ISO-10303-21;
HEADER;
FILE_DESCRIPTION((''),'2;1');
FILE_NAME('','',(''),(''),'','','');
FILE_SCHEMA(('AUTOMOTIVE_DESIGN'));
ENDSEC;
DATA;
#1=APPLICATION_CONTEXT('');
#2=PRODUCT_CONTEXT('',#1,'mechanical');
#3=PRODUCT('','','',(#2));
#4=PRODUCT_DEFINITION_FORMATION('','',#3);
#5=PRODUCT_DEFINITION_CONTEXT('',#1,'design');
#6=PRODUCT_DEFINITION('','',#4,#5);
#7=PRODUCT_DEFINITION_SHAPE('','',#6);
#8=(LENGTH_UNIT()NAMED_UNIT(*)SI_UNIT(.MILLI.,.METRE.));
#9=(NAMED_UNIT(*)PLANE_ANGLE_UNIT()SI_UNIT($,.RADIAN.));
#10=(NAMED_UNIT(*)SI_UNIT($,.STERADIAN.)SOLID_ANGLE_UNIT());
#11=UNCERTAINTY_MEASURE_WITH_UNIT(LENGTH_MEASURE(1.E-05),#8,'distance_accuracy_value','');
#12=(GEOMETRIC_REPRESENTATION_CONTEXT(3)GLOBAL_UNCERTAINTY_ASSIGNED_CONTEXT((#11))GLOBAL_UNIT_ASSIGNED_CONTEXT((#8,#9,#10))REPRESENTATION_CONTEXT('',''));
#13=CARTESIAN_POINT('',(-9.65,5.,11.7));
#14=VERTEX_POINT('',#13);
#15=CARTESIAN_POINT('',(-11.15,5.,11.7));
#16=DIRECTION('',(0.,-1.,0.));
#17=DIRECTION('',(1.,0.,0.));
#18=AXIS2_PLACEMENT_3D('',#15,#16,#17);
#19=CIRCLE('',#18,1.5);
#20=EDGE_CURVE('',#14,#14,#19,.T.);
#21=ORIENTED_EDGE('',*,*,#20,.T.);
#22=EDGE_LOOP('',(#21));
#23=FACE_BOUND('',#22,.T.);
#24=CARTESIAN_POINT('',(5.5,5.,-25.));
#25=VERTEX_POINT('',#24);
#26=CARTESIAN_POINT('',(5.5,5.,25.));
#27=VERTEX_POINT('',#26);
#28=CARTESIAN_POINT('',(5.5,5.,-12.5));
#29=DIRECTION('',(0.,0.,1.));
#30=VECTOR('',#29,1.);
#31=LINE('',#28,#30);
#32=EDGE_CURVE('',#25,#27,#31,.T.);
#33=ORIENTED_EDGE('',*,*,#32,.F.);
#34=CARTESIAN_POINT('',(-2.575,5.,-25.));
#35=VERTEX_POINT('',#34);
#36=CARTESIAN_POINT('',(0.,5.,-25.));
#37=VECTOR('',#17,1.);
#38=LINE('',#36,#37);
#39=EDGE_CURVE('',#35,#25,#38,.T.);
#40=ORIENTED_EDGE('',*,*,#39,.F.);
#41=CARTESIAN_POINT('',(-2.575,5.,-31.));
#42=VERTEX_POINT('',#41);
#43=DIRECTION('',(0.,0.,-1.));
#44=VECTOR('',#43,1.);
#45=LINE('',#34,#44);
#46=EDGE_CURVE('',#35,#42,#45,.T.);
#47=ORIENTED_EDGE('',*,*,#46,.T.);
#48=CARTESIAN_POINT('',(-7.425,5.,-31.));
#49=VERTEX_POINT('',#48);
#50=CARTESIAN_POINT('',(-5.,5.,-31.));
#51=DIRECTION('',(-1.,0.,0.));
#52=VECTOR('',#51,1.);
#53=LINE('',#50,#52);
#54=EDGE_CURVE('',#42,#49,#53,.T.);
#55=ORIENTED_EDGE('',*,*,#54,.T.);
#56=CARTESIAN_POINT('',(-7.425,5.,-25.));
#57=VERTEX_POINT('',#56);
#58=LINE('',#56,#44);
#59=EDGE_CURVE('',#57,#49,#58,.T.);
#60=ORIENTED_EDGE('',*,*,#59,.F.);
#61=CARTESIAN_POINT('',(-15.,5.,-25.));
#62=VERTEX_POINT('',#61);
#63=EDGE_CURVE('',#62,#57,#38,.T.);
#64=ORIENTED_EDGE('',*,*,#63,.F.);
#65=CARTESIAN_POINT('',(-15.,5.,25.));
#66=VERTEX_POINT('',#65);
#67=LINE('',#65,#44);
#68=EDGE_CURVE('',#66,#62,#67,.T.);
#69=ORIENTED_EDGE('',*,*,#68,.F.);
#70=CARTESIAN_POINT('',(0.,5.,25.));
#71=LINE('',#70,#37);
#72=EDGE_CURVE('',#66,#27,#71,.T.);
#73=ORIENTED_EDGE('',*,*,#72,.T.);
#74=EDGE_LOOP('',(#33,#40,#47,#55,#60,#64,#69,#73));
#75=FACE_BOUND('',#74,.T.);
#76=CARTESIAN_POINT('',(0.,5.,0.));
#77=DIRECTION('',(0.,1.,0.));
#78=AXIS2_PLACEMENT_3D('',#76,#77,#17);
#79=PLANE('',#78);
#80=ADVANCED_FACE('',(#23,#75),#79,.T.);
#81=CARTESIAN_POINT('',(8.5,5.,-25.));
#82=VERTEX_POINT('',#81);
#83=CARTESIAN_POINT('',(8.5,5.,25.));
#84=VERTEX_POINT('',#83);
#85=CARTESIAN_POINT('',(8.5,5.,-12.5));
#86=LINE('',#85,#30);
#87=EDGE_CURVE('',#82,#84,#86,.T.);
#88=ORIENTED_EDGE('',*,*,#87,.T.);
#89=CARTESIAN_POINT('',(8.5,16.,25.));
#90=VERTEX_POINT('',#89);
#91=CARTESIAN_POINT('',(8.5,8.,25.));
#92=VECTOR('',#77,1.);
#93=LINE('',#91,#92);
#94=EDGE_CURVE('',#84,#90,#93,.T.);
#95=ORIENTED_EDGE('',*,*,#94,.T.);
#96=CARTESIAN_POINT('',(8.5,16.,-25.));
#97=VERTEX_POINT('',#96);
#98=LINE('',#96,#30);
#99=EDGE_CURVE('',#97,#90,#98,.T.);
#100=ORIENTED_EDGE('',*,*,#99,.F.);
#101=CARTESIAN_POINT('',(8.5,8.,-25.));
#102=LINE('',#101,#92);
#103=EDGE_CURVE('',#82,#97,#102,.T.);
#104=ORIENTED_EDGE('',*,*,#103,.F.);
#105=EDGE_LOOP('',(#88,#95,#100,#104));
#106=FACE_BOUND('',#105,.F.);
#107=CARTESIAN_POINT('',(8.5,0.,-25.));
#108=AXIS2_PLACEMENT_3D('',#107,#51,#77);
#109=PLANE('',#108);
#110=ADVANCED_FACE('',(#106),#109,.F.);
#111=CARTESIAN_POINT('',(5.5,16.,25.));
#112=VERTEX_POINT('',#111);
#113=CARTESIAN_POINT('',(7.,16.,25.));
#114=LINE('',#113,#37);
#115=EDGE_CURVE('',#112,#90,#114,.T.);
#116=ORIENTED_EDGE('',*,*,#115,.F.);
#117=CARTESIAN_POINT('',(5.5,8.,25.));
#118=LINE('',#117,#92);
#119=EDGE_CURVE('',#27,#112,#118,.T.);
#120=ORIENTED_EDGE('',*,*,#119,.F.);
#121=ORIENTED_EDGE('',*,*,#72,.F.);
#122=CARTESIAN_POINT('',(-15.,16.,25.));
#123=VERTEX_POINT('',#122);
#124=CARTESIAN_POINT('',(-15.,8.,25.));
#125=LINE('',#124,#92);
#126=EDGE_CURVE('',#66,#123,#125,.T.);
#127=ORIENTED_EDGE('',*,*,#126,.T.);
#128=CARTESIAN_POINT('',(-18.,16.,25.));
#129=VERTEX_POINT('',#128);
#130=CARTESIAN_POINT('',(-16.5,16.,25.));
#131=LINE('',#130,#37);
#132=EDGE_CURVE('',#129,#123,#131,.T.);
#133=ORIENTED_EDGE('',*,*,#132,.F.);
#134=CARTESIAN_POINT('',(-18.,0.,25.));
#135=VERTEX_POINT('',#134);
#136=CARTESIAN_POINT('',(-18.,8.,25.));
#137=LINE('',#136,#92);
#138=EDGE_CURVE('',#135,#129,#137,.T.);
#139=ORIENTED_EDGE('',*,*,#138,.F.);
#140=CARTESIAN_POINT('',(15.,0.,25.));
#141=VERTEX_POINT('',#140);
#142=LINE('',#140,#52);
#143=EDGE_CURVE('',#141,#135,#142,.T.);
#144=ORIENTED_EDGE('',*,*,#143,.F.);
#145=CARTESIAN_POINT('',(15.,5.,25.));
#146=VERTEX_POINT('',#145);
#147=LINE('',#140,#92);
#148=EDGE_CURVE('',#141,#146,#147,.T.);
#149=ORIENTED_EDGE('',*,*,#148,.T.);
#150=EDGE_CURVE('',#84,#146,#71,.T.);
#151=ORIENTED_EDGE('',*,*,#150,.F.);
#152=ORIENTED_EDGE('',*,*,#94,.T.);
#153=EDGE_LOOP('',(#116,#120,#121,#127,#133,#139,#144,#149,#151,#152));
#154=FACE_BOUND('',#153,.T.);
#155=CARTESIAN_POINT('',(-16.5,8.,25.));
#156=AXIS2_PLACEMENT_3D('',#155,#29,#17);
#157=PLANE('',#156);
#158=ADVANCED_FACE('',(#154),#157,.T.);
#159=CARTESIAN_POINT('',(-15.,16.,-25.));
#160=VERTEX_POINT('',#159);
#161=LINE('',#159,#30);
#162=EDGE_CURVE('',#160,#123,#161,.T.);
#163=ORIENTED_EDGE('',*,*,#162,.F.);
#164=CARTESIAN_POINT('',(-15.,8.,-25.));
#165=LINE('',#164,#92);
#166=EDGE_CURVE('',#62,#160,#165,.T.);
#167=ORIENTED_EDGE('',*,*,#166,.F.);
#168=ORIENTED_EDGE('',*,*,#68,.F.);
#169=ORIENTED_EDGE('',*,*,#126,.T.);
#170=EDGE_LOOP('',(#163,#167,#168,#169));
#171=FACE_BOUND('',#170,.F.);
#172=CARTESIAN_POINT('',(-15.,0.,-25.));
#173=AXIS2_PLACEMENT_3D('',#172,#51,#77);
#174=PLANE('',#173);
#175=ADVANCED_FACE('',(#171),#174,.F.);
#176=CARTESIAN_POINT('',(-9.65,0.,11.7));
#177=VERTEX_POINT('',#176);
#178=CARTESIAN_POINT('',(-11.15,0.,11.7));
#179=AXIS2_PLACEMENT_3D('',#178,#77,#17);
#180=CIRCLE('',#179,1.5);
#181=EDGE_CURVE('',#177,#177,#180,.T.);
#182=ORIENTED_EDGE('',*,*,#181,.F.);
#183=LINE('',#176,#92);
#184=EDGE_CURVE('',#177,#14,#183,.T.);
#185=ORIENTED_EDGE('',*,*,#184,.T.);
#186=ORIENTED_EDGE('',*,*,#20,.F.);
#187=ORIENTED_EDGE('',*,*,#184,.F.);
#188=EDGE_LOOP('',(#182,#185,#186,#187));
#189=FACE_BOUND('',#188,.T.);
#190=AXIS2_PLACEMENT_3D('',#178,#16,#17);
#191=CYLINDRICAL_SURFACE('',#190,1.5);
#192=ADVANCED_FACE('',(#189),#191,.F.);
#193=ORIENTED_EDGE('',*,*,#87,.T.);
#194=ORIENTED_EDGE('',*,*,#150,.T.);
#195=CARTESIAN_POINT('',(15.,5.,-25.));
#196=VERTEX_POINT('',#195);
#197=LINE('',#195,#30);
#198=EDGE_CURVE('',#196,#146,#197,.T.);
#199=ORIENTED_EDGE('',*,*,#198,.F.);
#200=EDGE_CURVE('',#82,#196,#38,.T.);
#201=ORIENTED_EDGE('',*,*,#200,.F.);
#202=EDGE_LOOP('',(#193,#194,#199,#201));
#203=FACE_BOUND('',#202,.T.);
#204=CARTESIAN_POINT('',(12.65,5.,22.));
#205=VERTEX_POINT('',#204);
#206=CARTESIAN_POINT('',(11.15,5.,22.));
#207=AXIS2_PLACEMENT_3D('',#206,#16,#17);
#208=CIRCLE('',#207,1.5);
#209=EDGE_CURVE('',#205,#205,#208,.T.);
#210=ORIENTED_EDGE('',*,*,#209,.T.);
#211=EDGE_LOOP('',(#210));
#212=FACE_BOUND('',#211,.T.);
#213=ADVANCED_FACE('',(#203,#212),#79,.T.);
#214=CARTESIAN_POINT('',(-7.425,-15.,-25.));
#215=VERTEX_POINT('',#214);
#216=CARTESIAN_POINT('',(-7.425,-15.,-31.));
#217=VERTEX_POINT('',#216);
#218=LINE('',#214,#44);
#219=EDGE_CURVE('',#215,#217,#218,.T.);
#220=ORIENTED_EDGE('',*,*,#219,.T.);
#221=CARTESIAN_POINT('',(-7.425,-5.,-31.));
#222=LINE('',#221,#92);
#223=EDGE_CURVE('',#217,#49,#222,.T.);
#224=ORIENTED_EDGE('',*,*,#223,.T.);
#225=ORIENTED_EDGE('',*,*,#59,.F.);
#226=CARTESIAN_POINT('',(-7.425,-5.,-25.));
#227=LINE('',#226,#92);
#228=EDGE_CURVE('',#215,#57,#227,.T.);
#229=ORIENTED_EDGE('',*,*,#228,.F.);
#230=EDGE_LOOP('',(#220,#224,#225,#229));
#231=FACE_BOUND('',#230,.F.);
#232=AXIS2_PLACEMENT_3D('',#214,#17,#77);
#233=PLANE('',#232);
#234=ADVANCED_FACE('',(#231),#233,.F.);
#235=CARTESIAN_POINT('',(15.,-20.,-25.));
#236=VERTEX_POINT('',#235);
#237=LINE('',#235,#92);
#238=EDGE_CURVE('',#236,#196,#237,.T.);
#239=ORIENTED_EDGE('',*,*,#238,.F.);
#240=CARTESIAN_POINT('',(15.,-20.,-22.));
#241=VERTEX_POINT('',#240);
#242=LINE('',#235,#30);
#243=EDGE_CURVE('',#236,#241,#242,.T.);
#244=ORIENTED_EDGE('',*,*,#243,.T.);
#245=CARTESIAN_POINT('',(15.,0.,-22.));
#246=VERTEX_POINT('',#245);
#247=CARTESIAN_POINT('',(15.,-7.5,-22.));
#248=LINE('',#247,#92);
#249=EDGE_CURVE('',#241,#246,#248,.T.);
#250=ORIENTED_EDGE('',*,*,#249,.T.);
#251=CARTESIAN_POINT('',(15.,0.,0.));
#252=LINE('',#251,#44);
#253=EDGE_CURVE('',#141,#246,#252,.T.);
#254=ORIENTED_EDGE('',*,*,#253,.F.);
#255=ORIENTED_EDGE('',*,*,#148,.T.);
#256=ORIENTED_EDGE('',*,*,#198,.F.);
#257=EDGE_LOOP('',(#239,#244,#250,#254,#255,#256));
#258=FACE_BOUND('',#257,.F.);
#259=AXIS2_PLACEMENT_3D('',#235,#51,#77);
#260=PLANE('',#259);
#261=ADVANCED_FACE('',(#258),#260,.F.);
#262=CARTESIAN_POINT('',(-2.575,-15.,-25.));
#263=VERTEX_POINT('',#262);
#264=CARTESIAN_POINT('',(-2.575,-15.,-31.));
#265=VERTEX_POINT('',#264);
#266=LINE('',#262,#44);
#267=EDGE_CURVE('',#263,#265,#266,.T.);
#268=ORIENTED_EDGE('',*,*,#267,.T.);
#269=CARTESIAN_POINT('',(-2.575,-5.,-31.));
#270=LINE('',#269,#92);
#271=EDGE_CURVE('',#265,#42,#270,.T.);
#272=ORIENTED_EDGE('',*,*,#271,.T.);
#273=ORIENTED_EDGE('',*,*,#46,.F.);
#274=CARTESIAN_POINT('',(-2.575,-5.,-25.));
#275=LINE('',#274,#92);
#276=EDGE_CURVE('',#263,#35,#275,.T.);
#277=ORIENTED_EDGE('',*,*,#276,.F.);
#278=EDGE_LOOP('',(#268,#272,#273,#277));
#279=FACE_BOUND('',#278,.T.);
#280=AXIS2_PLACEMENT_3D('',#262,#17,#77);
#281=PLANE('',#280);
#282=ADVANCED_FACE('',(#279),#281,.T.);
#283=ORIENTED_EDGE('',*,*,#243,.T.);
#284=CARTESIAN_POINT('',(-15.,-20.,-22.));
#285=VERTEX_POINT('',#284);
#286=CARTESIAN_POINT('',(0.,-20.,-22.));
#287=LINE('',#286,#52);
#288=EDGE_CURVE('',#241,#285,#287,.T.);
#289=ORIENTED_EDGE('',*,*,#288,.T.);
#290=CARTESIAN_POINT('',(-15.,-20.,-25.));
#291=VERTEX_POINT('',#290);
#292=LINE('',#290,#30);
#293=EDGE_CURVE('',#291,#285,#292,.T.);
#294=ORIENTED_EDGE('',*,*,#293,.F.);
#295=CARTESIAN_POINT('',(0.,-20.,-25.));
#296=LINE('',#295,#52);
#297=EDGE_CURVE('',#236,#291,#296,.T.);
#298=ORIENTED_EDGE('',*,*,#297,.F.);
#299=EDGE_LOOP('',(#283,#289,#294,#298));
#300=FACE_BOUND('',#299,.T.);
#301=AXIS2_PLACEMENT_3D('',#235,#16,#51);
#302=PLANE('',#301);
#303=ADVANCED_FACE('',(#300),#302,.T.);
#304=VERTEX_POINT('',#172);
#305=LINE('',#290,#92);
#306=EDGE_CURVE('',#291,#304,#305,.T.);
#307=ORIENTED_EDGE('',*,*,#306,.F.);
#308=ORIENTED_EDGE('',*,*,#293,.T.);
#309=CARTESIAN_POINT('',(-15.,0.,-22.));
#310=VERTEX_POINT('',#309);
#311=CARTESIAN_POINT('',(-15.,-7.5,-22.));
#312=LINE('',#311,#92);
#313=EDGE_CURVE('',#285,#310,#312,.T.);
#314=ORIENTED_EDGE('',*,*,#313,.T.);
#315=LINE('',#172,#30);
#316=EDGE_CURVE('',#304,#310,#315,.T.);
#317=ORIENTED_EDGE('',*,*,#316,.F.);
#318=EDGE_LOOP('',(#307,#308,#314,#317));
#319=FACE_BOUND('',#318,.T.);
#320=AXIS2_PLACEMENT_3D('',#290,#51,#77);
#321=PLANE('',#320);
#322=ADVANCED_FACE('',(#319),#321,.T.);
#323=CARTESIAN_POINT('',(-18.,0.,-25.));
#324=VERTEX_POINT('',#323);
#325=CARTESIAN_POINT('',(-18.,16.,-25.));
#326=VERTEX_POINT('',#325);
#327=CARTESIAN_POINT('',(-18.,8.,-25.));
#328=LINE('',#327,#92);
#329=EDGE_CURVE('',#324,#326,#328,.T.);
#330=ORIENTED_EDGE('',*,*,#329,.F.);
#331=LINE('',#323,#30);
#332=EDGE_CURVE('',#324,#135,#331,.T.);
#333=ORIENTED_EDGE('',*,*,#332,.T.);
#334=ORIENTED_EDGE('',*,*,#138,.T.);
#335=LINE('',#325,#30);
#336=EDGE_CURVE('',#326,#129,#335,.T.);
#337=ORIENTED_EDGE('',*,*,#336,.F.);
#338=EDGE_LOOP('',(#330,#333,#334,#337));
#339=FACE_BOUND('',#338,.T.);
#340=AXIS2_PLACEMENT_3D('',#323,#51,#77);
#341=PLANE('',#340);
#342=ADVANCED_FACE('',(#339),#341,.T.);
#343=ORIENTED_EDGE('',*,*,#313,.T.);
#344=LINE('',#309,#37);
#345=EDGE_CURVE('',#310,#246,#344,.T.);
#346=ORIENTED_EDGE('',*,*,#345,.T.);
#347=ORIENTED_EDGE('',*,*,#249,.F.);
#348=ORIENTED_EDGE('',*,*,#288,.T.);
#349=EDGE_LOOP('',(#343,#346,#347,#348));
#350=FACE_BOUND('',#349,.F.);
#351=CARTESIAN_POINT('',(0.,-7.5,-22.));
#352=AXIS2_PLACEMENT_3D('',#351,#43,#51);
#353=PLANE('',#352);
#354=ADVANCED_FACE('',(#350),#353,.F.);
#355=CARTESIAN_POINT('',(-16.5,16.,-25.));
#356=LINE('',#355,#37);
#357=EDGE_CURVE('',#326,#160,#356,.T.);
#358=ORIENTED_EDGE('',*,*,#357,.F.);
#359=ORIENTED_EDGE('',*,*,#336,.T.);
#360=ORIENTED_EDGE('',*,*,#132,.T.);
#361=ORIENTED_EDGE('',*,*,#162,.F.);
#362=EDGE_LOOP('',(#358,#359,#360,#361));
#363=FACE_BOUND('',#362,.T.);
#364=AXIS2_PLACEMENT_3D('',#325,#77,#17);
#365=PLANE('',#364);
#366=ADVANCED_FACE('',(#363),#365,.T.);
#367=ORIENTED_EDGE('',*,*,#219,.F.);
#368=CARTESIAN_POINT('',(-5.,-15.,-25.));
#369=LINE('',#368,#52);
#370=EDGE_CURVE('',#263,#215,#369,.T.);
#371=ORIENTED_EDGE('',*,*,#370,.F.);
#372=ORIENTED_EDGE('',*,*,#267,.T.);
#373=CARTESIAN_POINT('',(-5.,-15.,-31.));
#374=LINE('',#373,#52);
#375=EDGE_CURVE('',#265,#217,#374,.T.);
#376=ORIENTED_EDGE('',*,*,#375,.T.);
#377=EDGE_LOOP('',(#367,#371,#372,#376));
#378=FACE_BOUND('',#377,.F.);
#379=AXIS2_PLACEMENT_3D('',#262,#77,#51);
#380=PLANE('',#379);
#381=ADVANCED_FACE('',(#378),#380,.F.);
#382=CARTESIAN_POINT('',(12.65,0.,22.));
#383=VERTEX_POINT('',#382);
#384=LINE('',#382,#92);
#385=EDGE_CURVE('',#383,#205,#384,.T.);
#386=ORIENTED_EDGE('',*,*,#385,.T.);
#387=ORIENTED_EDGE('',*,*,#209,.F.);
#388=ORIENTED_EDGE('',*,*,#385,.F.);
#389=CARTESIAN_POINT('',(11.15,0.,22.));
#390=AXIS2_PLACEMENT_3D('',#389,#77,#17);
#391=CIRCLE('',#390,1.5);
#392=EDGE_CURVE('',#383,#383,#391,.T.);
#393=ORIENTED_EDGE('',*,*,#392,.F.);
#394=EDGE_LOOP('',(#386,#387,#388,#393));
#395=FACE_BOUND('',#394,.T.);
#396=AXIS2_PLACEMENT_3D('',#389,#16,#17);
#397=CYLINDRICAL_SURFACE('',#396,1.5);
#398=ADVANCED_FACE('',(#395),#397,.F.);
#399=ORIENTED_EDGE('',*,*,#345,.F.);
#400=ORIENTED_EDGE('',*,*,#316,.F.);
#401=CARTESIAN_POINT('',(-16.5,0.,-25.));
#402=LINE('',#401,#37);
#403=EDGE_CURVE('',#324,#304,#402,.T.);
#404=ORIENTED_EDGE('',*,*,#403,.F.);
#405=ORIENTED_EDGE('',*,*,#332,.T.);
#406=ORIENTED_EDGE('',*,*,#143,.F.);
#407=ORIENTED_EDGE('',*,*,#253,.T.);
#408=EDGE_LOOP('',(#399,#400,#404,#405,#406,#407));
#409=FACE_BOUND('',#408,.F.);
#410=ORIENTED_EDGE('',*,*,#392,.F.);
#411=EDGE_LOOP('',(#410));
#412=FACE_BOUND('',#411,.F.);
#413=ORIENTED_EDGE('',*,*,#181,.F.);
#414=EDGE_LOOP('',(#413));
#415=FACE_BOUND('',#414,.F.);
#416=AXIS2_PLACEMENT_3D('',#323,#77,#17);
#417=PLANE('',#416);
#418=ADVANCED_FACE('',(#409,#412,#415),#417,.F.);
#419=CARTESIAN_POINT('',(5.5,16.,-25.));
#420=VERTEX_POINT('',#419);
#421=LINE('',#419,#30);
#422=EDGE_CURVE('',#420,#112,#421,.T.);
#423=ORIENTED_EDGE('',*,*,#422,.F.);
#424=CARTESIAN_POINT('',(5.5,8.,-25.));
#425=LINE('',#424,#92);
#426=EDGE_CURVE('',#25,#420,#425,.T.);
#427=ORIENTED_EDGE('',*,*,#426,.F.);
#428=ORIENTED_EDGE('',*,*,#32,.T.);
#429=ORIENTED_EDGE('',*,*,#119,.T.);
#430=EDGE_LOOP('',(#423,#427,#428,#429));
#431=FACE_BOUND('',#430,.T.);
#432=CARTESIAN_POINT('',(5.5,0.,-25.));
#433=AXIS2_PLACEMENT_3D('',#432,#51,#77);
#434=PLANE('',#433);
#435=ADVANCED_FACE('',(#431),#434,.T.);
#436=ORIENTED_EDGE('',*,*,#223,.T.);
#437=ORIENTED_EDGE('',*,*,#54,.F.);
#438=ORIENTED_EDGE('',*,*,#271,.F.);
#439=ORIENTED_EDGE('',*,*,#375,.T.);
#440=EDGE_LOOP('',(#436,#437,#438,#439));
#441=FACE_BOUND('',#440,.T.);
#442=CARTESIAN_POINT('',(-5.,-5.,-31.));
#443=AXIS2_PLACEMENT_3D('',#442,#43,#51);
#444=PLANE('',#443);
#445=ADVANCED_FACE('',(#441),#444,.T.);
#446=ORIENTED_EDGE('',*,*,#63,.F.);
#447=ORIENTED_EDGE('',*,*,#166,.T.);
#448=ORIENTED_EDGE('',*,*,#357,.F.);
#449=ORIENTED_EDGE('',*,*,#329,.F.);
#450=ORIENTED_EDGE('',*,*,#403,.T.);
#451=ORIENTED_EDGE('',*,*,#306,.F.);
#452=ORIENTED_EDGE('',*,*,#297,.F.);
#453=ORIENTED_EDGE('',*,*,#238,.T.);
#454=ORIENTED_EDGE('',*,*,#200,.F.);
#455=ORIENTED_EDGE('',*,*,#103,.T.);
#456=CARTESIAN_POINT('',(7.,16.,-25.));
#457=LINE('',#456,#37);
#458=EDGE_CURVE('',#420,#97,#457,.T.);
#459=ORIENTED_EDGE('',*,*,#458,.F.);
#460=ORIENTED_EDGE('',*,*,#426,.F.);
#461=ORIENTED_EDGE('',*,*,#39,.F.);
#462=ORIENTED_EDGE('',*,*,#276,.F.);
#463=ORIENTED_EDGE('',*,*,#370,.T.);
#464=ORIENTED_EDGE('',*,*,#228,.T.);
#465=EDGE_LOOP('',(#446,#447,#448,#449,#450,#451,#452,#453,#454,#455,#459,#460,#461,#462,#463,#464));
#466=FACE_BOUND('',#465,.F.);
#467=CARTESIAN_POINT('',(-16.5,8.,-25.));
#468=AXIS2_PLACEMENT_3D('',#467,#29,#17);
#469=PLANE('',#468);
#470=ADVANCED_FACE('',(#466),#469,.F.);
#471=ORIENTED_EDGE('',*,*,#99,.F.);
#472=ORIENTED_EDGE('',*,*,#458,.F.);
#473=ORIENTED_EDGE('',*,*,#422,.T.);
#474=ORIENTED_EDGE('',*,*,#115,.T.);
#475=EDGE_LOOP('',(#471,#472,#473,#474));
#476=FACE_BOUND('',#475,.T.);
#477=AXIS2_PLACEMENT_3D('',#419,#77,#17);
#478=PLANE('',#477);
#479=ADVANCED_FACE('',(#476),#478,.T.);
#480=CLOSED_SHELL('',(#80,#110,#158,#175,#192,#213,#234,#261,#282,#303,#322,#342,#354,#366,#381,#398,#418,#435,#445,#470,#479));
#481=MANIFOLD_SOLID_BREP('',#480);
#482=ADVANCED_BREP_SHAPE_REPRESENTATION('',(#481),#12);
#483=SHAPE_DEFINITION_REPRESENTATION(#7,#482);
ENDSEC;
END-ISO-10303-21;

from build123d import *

# Parameters (mm, degrees)
SKETCH_1_W               = 30
SKETCH_1_H               = 50
EXTRUDE_1_DEPTH          = 5
SKETCH_2_R               = 1.5
CUT_EXTRUDE_2_DEPTH      = 6
CUT_EXTRUDE_2_DEPTH_BACK = 3
SKETCH_3_W               = 30
SKETCH_3_H               = 25
EXTRUDE_2_DEPTH          = 3
SKETCH_4_W               = 4.85
SKETCH_4_H               = 20
EXTRUDE_3_DEPTH          = 6
EXTRUDE_START            = -50
SKETCH_6_W               = 3
SKETCH_6_H               = 16
EXTRUDE_4_DEPTH          = 50


with BuildPart() as part:
    # 스케치1 → 보스-돌출1 (new body)
    with BuildSketch(Plane(origin=(0, 0, 0), x_dir=(1, 0, 0), z_dir=(0, 1, 0))):
        Rectangle(SKETCH_1_W, SKETCH_1_H)
    extrude(amount=EXTRUDE_1_DEPTH)

    # 스케치2 → 컷-돌출2 (cut, two sides)
    with BuildSketch(Plane(origin=(0, 0, 0), x_dir=(1, 0, 0), z_dir=(0, 1, 0))) as cut_extrude_2_sk:
        with Locations((-11.15, -11.7)):
            Circle(SKETCH_2_R)
        with Locations((11.15, -22)):
            Circle(SKETCH_2_R)
    extrude(amount=CUT_EXTRUDE_2_DEPTH, mode=Mode.SUBTRACT)
    extrude(cut_extrude_2_sk.sketch, amount=-CUT_EXTRUDE_2_DEPTH_BACK, mode=Mode.SUBTRACT)

    # 스케치3 → 보스-돌출2 (add)
    with BuildSketch(Plane(origin=(0, 0, -25), x_dir=(-1, 0, 0), z_dir=(0, 0, -1))):
        with Locations((0, -7.5)):
            Rectangle(SKETCH_3_W, SKETCH_3_H)
    extrude(amount=-EXTRUDE_2_DEPTH)

    # 스케치4 → 보스-돌출3 (add)
    with BuildSketch(Plane(origin=(0, 0, -25), x_dir=(-1, 0, 0), z_dir=(0, 0, -1))):
        with Locations((5, -5)):
            Rectangle(SKETCH_4_W, SKETCH_4_H)
    extrude(amount=EXTRUDE_3_DEPTH)

    # 스케치6 → 보스-돌출4 (add)
    with BuildSketch(Plane.XY.offset(25).offset(EXTRUDE_START)):
        with Locations((-16.5, 8)):
            Rectangle(SKETCH_6_W, SKETCH_6_H)
        with Locations((7, 8)):
            Rectangle(SKETCH_6_W, SKETCH_6_H)
    extrude(amount=EXTRUDE_4_DEPTH)


solid = part.part
